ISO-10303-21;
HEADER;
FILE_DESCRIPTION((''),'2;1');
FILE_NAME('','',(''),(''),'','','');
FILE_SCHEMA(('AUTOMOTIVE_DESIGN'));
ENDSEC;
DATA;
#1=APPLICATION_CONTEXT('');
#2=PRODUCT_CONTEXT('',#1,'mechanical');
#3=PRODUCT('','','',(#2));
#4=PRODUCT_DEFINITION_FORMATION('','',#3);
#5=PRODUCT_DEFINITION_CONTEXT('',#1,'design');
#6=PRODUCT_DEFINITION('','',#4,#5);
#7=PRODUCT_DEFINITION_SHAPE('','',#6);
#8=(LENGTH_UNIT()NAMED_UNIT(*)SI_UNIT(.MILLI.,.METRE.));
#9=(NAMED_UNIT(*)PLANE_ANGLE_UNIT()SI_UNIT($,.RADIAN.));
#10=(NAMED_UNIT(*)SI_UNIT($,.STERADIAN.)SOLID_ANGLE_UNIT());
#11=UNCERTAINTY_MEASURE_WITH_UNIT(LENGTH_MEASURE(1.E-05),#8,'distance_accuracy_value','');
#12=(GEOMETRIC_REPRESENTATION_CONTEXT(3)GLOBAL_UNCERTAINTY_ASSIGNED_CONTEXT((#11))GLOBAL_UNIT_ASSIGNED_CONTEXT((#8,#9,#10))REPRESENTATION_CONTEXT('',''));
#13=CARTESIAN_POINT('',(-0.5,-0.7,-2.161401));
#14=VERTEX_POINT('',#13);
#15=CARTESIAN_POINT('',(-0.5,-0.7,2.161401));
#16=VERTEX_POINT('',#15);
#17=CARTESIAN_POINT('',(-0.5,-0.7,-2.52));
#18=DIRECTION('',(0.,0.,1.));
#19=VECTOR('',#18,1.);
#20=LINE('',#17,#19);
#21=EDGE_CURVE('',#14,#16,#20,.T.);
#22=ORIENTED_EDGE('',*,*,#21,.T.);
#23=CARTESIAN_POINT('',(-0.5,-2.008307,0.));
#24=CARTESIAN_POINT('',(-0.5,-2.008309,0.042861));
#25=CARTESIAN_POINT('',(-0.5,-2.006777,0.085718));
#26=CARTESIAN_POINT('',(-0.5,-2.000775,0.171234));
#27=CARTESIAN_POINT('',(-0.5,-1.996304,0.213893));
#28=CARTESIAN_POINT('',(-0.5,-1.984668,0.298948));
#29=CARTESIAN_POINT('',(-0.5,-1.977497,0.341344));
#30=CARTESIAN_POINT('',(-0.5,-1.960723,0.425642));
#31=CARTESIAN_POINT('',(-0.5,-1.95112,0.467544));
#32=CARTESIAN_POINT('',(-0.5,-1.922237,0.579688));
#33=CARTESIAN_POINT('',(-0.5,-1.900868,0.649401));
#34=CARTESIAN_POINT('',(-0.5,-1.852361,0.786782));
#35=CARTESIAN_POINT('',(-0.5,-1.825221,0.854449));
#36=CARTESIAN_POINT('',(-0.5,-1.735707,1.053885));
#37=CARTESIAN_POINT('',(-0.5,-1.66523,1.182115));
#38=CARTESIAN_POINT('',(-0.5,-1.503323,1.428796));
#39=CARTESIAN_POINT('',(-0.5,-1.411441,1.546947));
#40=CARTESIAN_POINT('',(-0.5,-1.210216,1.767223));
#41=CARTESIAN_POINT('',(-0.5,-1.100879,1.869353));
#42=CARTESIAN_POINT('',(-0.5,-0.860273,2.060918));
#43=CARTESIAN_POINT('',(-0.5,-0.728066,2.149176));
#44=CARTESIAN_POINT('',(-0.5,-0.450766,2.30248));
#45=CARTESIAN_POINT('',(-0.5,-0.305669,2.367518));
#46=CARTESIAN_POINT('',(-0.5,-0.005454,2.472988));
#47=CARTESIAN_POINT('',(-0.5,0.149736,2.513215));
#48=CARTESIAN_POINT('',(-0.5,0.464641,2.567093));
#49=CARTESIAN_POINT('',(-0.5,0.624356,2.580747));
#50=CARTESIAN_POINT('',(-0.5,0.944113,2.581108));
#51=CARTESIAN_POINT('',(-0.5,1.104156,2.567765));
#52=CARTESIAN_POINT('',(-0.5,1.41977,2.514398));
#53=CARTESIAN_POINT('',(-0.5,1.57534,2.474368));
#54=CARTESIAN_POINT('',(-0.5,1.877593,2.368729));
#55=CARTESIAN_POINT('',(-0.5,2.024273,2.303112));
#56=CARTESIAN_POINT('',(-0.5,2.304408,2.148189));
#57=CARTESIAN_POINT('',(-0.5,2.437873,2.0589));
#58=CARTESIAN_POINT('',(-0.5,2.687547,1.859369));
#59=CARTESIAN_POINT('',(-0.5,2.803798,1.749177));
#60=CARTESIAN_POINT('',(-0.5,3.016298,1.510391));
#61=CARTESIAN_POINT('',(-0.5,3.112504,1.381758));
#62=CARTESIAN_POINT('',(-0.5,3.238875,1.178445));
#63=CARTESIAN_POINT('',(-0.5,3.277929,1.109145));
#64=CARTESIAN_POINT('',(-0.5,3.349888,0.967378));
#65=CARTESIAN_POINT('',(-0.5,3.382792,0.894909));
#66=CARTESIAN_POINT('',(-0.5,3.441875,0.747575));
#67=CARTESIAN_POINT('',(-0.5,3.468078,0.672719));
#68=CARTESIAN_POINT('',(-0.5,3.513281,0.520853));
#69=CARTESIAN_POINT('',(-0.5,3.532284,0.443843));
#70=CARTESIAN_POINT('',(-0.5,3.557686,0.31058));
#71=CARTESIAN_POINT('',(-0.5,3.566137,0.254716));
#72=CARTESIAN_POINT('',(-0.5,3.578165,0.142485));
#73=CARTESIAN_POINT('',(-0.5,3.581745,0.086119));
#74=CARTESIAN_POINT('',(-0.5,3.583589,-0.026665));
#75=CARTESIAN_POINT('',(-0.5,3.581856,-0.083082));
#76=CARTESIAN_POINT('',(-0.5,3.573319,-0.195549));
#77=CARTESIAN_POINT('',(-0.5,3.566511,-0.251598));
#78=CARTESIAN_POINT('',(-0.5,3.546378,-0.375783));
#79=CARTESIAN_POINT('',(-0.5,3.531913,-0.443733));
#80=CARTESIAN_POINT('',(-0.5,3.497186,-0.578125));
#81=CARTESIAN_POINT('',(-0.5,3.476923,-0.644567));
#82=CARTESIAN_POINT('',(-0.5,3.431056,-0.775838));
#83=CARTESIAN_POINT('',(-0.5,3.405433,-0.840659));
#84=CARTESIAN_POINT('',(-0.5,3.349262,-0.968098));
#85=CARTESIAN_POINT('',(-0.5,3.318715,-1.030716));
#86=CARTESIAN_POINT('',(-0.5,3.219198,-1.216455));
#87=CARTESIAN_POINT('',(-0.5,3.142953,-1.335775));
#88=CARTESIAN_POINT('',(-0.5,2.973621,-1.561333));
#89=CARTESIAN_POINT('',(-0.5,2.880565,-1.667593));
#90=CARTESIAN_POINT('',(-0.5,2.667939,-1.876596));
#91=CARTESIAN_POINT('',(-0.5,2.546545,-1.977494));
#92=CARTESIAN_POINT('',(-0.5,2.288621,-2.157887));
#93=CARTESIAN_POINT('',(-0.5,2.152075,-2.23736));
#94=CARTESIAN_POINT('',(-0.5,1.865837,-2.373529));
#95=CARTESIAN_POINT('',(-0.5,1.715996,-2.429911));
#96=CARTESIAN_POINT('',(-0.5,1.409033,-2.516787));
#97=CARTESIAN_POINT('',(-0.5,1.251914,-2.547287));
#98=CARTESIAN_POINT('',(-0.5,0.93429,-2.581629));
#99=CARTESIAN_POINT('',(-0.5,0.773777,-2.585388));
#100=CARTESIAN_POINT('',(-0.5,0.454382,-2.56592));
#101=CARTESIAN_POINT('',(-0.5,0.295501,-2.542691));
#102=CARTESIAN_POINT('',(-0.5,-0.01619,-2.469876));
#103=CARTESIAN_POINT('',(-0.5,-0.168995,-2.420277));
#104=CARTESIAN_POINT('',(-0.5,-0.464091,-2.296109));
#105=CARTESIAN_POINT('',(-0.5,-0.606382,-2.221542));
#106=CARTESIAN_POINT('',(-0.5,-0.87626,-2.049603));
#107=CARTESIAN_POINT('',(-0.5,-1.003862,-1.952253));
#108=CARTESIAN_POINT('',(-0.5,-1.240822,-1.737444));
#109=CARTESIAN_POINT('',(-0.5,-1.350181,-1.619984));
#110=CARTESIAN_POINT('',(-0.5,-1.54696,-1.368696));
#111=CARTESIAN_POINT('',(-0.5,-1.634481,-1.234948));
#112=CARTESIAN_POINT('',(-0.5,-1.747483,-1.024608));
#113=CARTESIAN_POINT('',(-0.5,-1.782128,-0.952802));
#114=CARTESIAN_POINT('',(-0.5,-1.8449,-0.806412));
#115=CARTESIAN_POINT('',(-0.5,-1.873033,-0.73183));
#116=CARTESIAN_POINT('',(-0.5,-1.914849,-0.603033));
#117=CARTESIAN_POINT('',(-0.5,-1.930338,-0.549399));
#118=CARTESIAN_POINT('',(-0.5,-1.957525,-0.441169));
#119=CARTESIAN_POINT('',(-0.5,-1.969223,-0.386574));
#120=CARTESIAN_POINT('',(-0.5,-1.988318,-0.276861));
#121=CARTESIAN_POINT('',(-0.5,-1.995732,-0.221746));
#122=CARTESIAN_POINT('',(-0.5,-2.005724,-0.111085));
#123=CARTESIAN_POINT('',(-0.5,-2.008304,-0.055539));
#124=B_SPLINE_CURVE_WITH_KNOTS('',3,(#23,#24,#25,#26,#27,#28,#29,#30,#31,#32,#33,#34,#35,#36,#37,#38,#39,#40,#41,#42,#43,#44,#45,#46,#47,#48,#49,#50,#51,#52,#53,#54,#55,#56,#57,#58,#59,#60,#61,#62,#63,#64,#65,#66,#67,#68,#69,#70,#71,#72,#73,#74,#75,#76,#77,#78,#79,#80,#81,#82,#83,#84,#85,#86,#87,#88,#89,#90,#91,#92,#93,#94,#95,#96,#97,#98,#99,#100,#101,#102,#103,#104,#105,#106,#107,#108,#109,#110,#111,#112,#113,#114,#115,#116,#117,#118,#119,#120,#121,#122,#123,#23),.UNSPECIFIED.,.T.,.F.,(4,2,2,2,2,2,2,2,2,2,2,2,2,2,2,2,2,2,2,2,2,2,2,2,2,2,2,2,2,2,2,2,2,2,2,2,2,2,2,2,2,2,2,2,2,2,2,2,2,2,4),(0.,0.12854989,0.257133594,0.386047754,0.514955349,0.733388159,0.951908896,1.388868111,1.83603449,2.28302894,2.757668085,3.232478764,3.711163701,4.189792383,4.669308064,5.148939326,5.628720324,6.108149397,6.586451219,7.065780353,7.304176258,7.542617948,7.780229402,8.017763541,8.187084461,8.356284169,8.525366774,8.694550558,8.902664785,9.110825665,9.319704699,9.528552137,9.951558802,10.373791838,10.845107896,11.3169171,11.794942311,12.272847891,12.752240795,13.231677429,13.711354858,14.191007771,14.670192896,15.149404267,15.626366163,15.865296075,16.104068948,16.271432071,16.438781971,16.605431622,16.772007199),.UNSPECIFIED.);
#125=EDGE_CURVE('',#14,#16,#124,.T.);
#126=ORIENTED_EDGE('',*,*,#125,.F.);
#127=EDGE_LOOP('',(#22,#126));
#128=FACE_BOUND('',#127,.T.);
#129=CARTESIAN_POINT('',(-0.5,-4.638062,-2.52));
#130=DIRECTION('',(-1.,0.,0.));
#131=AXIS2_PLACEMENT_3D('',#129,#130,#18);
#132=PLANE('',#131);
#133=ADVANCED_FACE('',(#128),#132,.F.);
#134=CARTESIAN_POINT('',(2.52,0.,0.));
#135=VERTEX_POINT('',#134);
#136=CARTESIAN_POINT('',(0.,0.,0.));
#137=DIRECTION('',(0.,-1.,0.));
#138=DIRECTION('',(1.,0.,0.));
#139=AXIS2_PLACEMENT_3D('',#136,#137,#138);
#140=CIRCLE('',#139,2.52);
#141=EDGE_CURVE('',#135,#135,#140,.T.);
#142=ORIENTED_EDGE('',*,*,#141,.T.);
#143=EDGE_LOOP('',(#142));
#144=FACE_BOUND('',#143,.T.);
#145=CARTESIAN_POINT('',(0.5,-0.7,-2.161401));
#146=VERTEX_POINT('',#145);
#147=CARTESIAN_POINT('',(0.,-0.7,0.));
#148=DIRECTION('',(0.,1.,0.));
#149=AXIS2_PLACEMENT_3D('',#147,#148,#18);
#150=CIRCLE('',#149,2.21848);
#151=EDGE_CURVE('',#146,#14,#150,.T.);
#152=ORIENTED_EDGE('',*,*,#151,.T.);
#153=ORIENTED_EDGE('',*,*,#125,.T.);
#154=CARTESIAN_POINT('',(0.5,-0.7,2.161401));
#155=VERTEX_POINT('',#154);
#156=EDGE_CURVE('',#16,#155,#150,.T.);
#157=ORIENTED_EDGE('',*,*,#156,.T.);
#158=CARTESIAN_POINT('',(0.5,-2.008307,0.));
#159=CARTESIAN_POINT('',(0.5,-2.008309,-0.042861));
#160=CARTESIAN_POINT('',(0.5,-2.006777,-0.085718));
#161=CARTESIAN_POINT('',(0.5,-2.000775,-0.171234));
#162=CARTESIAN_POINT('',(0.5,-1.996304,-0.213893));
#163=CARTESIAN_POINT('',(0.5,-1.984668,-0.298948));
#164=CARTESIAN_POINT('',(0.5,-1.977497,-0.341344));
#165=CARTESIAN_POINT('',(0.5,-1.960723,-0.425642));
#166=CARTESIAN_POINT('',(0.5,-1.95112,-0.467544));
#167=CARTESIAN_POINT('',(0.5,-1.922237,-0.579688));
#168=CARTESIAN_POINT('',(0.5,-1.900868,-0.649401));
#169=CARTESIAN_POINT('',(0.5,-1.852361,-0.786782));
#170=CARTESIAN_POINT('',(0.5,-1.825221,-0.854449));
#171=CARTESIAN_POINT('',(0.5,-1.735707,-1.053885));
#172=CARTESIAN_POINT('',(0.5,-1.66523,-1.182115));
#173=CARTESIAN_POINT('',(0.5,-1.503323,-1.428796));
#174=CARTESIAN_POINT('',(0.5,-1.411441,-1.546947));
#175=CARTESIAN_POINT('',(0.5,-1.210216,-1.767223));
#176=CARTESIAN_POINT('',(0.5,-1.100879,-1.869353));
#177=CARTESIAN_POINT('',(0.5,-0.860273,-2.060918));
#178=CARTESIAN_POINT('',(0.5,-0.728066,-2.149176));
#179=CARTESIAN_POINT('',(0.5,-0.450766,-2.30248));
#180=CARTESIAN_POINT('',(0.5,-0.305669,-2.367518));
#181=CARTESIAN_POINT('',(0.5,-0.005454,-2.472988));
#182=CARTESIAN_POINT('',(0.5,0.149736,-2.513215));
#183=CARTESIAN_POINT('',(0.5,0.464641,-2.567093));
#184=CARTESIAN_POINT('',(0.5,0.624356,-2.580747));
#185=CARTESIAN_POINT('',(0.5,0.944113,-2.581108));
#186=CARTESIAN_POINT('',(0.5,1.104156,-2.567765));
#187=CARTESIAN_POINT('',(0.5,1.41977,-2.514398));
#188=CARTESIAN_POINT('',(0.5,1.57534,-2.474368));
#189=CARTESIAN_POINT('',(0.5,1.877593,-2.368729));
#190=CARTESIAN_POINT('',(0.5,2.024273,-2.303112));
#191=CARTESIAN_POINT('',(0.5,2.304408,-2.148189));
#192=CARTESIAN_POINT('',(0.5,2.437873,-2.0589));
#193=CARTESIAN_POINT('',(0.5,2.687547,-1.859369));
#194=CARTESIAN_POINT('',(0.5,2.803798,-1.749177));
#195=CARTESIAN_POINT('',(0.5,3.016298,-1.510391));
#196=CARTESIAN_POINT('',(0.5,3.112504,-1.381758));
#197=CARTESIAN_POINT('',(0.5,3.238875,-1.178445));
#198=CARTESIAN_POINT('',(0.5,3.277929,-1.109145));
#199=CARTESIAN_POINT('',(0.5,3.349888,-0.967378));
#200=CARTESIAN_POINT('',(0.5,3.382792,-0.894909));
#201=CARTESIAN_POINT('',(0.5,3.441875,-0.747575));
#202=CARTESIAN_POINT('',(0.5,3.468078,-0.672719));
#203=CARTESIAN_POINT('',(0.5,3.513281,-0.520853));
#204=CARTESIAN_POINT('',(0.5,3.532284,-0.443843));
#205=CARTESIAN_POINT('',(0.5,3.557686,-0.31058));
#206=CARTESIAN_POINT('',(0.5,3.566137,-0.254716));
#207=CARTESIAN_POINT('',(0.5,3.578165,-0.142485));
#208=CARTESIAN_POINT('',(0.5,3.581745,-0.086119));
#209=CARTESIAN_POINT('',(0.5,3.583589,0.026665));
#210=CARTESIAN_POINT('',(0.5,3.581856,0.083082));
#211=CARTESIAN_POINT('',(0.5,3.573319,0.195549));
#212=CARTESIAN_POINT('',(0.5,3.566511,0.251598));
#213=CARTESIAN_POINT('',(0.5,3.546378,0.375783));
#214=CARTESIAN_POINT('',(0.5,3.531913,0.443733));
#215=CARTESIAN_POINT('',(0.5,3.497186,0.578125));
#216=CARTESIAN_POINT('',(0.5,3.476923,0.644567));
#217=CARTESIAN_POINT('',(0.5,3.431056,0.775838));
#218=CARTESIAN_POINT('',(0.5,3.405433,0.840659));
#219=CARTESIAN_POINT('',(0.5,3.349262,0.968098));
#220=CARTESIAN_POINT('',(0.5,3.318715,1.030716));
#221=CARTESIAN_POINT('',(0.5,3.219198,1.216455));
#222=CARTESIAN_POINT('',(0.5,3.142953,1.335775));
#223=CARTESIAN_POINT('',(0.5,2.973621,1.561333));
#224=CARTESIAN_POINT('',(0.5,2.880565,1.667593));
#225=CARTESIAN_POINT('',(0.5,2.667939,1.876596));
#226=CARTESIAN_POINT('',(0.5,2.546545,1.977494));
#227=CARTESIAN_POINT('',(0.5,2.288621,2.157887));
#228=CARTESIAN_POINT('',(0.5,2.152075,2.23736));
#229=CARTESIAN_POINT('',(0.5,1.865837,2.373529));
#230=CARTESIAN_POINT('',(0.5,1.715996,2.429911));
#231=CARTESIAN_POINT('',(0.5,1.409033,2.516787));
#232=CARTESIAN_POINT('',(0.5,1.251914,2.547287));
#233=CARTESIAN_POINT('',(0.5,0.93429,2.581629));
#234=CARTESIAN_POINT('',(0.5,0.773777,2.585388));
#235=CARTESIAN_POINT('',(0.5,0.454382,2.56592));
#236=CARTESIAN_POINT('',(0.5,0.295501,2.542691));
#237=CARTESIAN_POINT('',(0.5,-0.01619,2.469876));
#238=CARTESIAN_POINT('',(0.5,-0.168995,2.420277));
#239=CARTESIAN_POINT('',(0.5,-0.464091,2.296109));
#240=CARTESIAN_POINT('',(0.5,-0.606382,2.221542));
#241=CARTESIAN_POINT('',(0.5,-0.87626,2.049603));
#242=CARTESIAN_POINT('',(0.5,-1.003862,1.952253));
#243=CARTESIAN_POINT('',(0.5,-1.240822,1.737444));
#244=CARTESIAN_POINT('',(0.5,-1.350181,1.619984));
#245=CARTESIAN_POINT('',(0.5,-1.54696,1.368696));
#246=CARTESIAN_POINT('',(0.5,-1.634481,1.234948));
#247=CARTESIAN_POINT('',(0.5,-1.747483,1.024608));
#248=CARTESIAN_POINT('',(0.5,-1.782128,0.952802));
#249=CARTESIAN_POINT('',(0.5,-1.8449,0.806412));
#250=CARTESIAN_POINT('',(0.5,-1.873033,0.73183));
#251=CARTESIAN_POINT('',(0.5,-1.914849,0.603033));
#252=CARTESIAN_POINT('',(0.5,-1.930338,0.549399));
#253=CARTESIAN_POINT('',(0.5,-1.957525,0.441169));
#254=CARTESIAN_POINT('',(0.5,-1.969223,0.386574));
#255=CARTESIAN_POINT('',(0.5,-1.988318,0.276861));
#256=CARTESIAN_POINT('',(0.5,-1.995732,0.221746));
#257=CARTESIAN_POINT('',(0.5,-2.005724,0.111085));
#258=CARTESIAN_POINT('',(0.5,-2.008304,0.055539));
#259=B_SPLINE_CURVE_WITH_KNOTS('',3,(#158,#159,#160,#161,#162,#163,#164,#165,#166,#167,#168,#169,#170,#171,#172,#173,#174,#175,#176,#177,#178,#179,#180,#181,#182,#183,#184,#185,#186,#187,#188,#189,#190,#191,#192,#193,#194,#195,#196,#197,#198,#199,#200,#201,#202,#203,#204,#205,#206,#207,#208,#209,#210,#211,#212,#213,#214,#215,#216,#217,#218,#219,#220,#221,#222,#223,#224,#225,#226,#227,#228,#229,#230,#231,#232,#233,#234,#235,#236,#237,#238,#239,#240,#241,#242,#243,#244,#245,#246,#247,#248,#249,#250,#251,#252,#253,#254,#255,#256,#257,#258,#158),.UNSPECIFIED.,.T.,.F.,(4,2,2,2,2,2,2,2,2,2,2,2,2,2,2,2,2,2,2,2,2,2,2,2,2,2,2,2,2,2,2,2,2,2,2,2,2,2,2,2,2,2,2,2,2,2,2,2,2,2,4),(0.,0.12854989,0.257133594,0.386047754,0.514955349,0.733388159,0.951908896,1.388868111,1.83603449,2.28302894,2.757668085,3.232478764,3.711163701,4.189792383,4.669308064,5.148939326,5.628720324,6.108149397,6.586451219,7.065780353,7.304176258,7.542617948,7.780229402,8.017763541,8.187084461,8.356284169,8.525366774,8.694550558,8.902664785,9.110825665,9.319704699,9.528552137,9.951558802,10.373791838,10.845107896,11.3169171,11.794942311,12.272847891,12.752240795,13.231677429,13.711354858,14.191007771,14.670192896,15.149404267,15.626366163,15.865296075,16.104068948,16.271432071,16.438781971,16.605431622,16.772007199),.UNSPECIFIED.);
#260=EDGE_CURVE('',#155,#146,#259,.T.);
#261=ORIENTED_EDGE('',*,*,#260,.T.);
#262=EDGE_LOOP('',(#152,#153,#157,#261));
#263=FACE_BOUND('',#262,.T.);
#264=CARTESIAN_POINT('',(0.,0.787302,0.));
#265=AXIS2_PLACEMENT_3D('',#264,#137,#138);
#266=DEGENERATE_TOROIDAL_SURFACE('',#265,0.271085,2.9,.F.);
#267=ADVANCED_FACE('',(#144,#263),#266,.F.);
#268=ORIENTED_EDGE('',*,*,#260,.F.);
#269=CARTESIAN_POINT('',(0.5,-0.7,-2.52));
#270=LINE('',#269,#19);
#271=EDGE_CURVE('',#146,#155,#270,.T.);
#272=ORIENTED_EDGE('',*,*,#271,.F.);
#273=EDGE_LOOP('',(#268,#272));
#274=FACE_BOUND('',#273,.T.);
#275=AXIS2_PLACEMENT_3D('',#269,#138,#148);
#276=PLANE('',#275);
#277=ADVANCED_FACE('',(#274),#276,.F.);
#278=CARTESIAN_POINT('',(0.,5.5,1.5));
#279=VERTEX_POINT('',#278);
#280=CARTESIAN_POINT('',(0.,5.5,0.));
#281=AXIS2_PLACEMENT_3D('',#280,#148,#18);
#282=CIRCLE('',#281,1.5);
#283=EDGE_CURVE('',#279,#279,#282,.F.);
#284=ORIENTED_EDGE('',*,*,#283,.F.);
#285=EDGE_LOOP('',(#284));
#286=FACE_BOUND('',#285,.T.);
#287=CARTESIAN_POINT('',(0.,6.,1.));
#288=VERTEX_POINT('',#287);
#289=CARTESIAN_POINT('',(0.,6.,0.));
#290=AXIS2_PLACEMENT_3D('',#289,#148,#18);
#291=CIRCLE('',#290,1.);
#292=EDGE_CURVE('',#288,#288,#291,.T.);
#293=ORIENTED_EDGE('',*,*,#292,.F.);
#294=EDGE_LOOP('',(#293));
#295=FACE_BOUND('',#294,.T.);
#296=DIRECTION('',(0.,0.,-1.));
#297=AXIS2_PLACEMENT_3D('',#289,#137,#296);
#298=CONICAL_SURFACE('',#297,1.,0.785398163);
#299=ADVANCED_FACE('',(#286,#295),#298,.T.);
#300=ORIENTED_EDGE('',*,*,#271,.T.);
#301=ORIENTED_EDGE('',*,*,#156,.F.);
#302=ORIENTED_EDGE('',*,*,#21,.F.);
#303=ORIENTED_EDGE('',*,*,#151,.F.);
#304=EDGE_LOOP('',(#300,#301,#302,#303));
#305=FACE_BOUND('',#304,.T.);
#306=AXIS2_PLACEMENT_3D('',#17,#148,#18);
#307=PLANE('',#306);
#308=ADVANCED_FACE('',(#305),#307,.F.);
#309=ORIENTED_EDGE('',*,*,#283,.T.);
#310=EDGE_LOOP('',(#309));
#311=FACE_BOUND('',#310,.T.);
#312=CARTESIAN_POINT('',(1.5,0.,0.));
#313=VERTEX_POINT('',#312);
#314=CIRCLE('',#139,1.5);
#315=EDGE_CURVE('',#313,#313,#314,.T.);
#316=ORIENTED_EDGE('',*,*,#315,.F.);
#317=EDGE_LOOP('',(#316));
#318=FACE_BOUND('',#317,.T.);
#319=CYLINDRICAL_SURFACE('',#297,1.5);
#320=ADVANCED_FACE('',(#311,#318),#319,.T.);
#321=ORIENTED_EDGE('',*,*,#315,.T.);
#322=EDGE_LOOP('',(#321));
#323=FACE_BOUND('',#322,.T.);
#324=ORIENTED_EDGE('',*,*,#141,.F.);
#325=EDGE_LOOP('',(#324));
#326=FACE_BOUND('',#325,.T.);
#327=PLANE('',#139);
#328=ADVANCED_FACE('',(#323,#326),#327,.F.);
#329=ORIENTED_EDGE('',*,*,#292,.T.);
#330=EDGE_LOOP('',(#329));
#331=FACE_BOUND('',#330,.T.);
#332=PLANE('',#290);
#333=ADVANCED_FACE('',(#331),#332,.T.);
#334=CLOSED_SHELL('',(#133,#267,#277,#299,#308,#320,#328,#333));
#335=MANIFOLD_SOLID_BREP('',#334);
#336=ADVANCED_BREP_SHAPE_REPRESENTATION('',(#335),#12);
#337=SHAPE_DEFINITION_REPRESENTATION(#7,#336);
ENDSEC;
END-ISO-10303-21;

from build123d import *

# Parameters (mm, degrees)
SKETCH1_R               = 1.5
BOSS_EXTRUDE1_DEPTH     = 6
CUT_EXTRUDE1_DEPTH      = 7.97859592
CUT_EXTRUDE1_DEPTH_BACK = 7.97859592
CHAMFER1_SIZE           = 0.5


with BuildPart() as part:
    # Sketch1 → Boss-Extrude1 (new body)
    with BuildSketch(Plane(origin=(0, 0, 0), x_dir=(1, 0, 0), z_dir=(0, 1, 0))):
        with Locations(Location((0, 0, 0), (0, 0, 270))):
            Circle(SKETCH1_R)
    extrude(amount=BOSS_EXTRUDE1_DEPTH)

    # Sketch2 → Revolve1 (revolve)
    with BuildSketch(Plane.XY, mode=Mode.PRIVATE) as revolve1_sk:
        with BuildLine():
            Line((0, 0), (-2.52, 0))
            ThreePointArc((-2.52, 0), (-1.585449748, -1.440539697), (0, -2.1))
            Line((0, -2.1), (0, 0))
        make_face()
    revolve(revolve1_sk.sketch.rotate(Axis((0, -2.1, 0), (0, 1, 0)), 180), axis=Axis((0, -2.1, 0), (0, 1, 0)))

    # Sketch3 → Cut-Extrude1 (cut, two sides: drawn at the far end of the back side and taken through both)
    with BuildSketch(Plane.XY.offset(-CUT_EXTRUDE1_DEPTH_BACK)):
        Polygon((-0.5, -0.7), (0, -0.7), (0.5, -0.7), (0.5, -4.6380618), (-0.5, -4.6380618), align=None)
    extrude(amount=CUT_EXTRUDE1_DEPTH + CUT_EXTRUDE1_DEPTH_BACK, mode=Mode.SUBTRACT)

    # Chamfer1
    chamfer1_edges = [part.edges().sort_by_distance(p)[0] for p in [
        (0, 6, -1.5),
    ]]
    chamfer(chamfer1_edges, length=CHAMFER1_SIZE)


solid = part.part
